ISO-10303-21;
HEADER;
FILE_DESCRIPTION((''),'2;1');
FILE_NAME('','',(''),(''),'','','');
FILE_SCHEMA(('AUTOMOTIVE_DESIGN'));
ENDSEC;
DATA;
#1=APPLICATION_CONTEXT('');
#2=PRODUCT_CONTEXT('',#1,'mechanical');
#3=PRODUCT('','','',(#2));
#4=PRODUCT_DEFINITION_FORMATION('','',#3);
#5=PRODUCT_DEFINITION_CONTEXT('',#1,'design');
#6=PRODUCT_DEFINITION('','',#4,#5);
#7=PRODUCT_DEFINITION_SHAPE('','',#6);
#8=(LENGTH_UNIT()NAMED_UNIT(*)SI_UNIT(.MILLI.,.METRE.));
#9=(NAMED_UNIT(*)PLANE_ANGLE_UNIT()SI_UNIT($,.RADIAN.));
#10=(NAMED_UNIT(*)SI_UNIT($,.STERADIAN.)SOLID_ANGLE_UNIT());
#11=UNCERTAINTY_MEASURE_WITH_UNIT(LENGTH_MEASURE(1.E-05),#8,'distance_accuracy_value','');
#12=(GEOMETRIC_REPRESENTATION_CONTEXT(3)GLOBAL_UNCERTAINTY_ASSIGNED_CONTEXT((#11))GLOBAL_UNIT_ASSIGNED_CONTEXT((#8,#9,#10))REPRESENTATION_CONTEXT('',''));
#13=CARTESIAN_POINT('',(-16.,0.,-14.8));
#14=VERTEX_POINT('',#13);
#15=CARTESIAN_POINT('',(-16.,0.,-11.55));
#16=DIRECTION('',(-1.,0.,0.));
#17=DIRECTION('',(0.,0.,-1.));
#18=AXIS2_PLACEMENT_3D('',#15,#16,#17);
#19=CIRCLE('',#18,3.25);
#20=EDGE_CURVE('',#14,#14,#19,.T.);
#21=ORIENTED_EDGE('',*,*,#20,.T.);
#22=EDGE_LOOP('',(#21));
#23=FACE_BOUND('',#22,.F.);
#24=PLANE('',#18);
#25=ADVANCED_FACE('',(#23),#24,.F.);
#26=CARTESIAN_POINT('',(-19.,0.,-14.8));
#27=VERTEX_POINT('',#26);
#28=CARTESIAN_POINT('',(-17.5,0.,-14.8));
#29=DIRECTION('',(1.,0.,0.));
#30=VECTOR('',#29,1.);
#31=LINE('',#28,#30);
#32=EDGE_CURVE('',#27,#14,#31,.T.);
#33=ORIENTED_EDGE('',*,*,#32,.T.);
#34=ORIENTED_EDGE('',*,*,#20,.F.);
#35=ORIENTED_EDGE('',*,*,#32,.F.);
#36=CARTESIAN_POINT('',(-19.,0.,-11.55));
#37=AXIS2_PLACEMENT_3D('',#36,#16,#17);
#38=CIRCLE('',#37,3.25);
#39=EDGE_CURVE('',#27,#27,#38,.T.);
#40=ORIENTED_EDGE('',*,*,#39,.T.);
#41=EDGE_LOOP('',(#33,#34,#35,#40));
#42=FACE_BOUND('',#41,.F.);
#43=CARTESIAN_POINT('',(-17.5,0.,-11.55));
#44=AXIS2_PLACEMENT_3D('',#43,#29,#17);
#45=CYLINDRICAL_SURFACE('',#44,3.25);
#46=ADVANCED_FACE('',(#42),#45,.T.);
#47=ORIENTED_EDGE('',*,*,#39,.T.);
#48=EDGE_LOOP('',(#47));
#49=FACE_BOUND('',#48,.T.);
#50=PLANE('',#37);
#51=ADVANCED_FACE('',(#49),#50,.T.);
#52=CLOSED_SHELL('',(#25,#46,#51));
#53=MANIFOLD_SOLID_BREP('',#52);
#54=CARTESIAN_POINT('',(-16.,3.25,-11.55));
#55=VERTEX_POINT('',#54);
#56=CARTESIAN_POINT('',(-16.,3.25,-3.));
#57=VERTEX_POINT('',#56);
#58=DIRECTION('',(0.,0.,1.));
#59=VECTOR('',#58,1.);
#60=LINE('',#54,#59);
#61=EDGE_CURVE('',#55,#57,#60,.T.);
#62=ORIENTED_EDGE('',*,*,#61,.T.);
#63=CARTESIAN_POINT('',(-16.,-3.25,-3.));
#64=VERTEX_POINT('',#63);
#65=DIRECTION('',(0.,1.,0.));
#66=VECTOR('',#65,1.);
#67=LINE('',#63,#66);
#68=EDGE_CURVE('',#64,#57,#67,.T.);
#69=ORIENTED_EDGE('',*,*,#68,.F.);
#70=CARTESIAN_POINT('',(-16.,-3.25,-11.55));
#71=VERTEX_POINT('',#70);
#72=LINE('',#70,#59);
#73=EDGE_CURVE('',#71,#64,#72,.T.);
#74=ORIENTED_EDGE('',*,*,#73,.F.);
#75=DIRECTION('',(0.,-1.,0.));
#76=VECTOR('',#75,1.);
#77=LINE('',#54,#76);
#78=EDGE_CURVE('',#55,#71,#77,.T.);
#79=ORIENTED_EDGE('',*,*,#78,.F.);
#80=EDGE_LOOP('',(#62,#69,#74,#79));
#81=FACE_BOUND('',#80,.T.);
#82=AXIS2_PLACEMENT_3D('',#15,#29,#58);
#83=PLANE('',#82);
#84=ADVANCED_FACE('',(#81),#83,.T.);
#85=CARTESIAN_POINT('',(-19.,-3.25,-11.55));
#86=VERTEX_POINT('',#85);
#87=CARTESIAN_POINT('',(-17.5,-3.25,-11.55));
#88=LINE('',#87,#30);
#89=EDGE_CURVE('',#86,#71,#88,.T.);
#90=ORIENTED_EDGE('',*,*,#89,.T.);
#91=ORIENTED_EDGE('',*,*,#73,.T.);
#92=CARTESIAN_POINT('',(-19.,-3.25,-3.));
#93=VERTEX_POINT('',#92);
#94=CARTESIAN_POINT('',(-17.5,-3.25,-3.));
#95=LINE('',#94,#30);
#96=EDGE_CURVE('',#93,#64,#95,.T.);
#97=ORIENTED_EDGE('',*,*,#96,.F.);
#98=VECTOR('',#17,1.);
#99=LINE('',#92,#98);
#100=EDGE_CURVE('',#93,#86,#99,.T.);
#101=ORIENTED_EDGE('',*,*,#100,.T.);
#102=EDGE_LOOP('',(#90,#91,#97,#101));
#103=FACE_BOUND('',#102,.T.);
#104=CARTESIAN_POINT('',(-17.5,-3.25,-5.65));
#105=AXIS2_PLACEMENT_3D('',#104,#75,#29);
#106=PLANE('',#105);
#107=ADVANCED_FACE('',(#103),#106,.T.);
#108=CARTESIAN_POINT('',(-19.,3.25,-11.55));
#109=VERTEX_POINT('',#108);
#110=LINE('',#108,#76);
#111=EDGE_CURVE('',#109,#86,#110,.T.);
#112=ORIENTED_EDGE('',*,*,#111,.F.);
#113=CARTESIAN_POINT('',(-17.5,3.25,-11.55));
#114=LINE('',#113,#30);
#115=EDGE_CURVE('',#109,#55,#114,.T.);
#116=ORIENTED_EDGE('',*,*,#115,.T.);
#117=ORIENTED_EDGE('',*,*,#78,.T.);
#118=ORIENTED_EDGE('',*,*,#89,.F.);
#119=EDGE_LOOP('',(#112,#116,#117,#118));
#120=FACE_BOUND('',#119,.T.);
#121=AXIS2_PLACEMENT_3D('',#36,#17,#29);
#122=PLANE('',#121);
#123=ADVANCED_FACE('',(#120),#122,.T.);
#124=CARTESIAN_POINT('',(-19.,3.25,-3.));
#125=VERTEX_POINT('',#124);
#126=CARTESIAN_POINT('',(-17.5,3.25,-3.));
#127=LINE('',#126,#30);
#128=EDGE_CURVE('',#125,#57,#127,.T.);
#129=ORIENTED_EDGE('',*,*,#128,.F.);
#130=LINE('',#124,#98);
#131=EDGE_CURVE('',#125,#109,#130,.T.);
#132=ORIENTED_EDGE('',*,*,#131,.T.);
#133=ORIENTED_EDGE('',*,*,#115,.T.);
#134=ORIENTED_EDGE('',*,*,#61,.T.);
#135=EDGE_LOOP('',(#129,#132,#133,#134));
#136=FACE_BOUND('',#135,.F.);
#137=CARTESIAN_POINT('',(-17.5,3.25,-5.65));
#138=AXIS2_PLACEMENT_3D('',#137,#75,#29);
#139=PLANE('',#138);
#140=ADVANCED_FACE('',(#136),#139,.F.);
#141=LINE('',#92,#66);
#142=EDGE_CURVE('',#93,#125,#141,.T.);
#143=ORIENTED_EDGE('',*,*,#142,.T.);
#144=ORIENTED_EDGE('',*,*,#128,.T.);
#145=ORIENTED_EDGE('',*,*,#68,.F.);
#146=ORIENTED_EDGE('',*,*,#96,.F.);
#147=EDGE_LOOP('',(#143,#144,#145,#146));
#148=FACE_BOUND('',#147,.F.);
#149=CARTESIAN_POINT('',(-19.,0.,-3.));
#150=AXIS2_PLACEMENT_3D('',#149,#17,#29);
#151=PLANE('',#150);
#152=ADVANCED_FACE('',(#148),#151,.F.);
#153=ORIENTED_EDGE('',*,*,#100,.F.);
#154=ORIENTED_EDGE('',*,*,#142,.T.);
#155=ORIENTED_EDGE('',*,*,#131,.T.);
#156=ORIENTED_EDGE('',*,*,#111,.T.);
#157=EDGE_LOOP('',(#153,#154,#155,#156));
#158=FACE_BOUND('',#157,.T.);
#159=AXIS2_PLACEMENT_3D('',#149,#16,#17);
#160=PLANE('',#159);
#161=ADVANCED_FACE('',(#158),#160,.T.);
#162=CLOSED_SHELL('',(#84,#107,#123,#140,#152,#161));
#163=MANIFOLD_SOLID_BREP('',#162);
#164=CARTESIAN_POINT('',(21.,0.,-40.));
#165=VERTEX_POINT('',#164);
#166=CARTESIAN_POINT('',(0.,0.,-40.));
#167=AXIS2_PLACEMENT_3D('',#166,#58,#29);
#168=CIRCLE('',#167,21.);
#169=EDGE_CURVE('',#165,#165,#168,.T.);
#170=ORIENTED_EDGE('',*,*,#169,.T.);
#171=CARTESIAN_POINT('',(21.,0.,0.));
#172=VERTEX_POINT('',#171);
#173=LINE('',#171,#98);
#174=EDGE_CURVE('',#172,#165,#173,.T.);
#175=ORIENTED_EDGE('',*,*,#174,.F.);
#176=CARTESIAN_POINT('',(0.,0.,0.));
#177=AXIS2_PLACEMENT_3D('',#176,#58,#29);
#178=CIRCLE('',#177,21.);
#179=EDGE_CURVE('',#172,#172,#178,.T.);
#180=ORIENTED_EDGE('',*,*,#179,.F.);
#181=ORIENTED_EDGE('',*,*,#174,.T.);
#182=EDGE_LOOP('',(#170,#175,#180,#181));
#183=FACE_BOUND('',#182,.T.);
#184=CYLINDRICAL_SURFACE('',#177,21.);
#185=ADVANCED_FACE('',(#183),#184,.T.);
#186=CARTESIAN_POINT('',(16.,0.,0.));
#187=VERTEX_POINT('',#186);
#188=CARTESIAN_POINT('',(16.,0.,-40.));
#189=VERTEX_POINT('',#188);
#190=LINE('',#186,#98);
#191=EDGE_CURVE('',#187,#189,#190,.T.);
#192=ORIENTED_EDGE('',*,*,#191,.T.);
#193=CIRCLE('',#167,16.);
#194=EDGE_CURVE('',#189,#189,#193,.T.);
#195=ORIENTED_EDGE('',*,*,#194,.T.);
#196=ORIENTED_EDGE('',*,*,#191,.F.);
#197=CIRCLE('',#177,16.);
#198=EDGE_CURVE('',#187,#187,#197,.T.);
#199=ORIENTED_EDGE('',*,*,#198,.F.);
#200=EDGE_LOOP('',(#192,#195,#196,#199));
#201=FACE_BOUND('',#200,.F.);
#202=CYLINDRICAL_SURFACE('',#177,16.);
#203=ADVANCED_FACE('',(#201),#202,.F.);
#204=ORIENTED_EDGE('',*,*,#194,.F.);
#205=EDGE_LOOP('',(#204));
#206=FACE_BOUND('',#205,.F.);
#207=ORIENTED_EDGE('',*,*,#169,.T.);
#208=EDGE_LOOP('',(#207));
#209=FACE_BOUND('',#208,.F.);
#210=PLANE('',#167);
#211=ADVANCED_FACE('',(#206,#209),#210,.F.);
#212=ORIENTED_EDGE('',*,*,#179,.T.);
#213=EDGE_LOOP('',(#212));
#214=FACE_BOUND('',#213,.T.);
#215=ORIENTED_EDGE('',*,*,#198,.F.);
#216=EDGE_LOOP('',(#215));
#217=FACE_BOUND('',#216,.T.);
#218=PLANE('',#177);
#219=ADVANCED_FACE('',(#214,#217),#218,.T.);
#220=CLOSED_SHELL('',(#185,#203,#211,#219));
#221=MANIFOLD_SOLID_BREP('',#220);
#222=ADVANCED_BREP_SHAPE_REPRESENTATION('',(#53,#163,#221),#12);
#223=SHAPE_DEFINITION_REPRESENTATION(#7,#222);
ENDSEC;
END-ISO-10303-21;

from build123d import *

# Parameters (mm, degrees)
F0_R     = 21
F0_R_2   = 16
F1_DEPTH = 40
F2_W     = 3
F2_H     = 3.25
F2_H_2   = 5.3
F4_DEPTH = 3.25


with BuildPart() as f1:
    # F0 (on Top) → F1 (new body)
    with BuildSketch(Plane.XY):
        Circle(F0_R)
        Circle(F0_R_2, mode=Mode.SUBTRACT)
    extrude(amount=-F1_DEPTH)


with BuildPart() as f3:
    # F2 (on Front) → F3 (revolve)
    with BuildSketch(Plane.XZ):
        with Locations((-17.5, -13.175)):
            Rectangle(F2_W, F2_H)
    revolve(axis=Axis((-17.5, 0, -11.55), (-1, 0, 0)))


with BuildPart() as f4:
    # F2 (on Front) → F4 (new body, symmetric)
    with BuildSketch(Plane.XZ):
        with Locations((-17.5, -5.65)):
            Rectangle(F2_W, F2_H_2)
        with Locations((-17.5, -9.925)):
            Rectangle(F2_W, F2_H)
    extrude(amount=F4_DEPTH, both=True)


solid = Compound([f1.part, f3.part, f4.part])
